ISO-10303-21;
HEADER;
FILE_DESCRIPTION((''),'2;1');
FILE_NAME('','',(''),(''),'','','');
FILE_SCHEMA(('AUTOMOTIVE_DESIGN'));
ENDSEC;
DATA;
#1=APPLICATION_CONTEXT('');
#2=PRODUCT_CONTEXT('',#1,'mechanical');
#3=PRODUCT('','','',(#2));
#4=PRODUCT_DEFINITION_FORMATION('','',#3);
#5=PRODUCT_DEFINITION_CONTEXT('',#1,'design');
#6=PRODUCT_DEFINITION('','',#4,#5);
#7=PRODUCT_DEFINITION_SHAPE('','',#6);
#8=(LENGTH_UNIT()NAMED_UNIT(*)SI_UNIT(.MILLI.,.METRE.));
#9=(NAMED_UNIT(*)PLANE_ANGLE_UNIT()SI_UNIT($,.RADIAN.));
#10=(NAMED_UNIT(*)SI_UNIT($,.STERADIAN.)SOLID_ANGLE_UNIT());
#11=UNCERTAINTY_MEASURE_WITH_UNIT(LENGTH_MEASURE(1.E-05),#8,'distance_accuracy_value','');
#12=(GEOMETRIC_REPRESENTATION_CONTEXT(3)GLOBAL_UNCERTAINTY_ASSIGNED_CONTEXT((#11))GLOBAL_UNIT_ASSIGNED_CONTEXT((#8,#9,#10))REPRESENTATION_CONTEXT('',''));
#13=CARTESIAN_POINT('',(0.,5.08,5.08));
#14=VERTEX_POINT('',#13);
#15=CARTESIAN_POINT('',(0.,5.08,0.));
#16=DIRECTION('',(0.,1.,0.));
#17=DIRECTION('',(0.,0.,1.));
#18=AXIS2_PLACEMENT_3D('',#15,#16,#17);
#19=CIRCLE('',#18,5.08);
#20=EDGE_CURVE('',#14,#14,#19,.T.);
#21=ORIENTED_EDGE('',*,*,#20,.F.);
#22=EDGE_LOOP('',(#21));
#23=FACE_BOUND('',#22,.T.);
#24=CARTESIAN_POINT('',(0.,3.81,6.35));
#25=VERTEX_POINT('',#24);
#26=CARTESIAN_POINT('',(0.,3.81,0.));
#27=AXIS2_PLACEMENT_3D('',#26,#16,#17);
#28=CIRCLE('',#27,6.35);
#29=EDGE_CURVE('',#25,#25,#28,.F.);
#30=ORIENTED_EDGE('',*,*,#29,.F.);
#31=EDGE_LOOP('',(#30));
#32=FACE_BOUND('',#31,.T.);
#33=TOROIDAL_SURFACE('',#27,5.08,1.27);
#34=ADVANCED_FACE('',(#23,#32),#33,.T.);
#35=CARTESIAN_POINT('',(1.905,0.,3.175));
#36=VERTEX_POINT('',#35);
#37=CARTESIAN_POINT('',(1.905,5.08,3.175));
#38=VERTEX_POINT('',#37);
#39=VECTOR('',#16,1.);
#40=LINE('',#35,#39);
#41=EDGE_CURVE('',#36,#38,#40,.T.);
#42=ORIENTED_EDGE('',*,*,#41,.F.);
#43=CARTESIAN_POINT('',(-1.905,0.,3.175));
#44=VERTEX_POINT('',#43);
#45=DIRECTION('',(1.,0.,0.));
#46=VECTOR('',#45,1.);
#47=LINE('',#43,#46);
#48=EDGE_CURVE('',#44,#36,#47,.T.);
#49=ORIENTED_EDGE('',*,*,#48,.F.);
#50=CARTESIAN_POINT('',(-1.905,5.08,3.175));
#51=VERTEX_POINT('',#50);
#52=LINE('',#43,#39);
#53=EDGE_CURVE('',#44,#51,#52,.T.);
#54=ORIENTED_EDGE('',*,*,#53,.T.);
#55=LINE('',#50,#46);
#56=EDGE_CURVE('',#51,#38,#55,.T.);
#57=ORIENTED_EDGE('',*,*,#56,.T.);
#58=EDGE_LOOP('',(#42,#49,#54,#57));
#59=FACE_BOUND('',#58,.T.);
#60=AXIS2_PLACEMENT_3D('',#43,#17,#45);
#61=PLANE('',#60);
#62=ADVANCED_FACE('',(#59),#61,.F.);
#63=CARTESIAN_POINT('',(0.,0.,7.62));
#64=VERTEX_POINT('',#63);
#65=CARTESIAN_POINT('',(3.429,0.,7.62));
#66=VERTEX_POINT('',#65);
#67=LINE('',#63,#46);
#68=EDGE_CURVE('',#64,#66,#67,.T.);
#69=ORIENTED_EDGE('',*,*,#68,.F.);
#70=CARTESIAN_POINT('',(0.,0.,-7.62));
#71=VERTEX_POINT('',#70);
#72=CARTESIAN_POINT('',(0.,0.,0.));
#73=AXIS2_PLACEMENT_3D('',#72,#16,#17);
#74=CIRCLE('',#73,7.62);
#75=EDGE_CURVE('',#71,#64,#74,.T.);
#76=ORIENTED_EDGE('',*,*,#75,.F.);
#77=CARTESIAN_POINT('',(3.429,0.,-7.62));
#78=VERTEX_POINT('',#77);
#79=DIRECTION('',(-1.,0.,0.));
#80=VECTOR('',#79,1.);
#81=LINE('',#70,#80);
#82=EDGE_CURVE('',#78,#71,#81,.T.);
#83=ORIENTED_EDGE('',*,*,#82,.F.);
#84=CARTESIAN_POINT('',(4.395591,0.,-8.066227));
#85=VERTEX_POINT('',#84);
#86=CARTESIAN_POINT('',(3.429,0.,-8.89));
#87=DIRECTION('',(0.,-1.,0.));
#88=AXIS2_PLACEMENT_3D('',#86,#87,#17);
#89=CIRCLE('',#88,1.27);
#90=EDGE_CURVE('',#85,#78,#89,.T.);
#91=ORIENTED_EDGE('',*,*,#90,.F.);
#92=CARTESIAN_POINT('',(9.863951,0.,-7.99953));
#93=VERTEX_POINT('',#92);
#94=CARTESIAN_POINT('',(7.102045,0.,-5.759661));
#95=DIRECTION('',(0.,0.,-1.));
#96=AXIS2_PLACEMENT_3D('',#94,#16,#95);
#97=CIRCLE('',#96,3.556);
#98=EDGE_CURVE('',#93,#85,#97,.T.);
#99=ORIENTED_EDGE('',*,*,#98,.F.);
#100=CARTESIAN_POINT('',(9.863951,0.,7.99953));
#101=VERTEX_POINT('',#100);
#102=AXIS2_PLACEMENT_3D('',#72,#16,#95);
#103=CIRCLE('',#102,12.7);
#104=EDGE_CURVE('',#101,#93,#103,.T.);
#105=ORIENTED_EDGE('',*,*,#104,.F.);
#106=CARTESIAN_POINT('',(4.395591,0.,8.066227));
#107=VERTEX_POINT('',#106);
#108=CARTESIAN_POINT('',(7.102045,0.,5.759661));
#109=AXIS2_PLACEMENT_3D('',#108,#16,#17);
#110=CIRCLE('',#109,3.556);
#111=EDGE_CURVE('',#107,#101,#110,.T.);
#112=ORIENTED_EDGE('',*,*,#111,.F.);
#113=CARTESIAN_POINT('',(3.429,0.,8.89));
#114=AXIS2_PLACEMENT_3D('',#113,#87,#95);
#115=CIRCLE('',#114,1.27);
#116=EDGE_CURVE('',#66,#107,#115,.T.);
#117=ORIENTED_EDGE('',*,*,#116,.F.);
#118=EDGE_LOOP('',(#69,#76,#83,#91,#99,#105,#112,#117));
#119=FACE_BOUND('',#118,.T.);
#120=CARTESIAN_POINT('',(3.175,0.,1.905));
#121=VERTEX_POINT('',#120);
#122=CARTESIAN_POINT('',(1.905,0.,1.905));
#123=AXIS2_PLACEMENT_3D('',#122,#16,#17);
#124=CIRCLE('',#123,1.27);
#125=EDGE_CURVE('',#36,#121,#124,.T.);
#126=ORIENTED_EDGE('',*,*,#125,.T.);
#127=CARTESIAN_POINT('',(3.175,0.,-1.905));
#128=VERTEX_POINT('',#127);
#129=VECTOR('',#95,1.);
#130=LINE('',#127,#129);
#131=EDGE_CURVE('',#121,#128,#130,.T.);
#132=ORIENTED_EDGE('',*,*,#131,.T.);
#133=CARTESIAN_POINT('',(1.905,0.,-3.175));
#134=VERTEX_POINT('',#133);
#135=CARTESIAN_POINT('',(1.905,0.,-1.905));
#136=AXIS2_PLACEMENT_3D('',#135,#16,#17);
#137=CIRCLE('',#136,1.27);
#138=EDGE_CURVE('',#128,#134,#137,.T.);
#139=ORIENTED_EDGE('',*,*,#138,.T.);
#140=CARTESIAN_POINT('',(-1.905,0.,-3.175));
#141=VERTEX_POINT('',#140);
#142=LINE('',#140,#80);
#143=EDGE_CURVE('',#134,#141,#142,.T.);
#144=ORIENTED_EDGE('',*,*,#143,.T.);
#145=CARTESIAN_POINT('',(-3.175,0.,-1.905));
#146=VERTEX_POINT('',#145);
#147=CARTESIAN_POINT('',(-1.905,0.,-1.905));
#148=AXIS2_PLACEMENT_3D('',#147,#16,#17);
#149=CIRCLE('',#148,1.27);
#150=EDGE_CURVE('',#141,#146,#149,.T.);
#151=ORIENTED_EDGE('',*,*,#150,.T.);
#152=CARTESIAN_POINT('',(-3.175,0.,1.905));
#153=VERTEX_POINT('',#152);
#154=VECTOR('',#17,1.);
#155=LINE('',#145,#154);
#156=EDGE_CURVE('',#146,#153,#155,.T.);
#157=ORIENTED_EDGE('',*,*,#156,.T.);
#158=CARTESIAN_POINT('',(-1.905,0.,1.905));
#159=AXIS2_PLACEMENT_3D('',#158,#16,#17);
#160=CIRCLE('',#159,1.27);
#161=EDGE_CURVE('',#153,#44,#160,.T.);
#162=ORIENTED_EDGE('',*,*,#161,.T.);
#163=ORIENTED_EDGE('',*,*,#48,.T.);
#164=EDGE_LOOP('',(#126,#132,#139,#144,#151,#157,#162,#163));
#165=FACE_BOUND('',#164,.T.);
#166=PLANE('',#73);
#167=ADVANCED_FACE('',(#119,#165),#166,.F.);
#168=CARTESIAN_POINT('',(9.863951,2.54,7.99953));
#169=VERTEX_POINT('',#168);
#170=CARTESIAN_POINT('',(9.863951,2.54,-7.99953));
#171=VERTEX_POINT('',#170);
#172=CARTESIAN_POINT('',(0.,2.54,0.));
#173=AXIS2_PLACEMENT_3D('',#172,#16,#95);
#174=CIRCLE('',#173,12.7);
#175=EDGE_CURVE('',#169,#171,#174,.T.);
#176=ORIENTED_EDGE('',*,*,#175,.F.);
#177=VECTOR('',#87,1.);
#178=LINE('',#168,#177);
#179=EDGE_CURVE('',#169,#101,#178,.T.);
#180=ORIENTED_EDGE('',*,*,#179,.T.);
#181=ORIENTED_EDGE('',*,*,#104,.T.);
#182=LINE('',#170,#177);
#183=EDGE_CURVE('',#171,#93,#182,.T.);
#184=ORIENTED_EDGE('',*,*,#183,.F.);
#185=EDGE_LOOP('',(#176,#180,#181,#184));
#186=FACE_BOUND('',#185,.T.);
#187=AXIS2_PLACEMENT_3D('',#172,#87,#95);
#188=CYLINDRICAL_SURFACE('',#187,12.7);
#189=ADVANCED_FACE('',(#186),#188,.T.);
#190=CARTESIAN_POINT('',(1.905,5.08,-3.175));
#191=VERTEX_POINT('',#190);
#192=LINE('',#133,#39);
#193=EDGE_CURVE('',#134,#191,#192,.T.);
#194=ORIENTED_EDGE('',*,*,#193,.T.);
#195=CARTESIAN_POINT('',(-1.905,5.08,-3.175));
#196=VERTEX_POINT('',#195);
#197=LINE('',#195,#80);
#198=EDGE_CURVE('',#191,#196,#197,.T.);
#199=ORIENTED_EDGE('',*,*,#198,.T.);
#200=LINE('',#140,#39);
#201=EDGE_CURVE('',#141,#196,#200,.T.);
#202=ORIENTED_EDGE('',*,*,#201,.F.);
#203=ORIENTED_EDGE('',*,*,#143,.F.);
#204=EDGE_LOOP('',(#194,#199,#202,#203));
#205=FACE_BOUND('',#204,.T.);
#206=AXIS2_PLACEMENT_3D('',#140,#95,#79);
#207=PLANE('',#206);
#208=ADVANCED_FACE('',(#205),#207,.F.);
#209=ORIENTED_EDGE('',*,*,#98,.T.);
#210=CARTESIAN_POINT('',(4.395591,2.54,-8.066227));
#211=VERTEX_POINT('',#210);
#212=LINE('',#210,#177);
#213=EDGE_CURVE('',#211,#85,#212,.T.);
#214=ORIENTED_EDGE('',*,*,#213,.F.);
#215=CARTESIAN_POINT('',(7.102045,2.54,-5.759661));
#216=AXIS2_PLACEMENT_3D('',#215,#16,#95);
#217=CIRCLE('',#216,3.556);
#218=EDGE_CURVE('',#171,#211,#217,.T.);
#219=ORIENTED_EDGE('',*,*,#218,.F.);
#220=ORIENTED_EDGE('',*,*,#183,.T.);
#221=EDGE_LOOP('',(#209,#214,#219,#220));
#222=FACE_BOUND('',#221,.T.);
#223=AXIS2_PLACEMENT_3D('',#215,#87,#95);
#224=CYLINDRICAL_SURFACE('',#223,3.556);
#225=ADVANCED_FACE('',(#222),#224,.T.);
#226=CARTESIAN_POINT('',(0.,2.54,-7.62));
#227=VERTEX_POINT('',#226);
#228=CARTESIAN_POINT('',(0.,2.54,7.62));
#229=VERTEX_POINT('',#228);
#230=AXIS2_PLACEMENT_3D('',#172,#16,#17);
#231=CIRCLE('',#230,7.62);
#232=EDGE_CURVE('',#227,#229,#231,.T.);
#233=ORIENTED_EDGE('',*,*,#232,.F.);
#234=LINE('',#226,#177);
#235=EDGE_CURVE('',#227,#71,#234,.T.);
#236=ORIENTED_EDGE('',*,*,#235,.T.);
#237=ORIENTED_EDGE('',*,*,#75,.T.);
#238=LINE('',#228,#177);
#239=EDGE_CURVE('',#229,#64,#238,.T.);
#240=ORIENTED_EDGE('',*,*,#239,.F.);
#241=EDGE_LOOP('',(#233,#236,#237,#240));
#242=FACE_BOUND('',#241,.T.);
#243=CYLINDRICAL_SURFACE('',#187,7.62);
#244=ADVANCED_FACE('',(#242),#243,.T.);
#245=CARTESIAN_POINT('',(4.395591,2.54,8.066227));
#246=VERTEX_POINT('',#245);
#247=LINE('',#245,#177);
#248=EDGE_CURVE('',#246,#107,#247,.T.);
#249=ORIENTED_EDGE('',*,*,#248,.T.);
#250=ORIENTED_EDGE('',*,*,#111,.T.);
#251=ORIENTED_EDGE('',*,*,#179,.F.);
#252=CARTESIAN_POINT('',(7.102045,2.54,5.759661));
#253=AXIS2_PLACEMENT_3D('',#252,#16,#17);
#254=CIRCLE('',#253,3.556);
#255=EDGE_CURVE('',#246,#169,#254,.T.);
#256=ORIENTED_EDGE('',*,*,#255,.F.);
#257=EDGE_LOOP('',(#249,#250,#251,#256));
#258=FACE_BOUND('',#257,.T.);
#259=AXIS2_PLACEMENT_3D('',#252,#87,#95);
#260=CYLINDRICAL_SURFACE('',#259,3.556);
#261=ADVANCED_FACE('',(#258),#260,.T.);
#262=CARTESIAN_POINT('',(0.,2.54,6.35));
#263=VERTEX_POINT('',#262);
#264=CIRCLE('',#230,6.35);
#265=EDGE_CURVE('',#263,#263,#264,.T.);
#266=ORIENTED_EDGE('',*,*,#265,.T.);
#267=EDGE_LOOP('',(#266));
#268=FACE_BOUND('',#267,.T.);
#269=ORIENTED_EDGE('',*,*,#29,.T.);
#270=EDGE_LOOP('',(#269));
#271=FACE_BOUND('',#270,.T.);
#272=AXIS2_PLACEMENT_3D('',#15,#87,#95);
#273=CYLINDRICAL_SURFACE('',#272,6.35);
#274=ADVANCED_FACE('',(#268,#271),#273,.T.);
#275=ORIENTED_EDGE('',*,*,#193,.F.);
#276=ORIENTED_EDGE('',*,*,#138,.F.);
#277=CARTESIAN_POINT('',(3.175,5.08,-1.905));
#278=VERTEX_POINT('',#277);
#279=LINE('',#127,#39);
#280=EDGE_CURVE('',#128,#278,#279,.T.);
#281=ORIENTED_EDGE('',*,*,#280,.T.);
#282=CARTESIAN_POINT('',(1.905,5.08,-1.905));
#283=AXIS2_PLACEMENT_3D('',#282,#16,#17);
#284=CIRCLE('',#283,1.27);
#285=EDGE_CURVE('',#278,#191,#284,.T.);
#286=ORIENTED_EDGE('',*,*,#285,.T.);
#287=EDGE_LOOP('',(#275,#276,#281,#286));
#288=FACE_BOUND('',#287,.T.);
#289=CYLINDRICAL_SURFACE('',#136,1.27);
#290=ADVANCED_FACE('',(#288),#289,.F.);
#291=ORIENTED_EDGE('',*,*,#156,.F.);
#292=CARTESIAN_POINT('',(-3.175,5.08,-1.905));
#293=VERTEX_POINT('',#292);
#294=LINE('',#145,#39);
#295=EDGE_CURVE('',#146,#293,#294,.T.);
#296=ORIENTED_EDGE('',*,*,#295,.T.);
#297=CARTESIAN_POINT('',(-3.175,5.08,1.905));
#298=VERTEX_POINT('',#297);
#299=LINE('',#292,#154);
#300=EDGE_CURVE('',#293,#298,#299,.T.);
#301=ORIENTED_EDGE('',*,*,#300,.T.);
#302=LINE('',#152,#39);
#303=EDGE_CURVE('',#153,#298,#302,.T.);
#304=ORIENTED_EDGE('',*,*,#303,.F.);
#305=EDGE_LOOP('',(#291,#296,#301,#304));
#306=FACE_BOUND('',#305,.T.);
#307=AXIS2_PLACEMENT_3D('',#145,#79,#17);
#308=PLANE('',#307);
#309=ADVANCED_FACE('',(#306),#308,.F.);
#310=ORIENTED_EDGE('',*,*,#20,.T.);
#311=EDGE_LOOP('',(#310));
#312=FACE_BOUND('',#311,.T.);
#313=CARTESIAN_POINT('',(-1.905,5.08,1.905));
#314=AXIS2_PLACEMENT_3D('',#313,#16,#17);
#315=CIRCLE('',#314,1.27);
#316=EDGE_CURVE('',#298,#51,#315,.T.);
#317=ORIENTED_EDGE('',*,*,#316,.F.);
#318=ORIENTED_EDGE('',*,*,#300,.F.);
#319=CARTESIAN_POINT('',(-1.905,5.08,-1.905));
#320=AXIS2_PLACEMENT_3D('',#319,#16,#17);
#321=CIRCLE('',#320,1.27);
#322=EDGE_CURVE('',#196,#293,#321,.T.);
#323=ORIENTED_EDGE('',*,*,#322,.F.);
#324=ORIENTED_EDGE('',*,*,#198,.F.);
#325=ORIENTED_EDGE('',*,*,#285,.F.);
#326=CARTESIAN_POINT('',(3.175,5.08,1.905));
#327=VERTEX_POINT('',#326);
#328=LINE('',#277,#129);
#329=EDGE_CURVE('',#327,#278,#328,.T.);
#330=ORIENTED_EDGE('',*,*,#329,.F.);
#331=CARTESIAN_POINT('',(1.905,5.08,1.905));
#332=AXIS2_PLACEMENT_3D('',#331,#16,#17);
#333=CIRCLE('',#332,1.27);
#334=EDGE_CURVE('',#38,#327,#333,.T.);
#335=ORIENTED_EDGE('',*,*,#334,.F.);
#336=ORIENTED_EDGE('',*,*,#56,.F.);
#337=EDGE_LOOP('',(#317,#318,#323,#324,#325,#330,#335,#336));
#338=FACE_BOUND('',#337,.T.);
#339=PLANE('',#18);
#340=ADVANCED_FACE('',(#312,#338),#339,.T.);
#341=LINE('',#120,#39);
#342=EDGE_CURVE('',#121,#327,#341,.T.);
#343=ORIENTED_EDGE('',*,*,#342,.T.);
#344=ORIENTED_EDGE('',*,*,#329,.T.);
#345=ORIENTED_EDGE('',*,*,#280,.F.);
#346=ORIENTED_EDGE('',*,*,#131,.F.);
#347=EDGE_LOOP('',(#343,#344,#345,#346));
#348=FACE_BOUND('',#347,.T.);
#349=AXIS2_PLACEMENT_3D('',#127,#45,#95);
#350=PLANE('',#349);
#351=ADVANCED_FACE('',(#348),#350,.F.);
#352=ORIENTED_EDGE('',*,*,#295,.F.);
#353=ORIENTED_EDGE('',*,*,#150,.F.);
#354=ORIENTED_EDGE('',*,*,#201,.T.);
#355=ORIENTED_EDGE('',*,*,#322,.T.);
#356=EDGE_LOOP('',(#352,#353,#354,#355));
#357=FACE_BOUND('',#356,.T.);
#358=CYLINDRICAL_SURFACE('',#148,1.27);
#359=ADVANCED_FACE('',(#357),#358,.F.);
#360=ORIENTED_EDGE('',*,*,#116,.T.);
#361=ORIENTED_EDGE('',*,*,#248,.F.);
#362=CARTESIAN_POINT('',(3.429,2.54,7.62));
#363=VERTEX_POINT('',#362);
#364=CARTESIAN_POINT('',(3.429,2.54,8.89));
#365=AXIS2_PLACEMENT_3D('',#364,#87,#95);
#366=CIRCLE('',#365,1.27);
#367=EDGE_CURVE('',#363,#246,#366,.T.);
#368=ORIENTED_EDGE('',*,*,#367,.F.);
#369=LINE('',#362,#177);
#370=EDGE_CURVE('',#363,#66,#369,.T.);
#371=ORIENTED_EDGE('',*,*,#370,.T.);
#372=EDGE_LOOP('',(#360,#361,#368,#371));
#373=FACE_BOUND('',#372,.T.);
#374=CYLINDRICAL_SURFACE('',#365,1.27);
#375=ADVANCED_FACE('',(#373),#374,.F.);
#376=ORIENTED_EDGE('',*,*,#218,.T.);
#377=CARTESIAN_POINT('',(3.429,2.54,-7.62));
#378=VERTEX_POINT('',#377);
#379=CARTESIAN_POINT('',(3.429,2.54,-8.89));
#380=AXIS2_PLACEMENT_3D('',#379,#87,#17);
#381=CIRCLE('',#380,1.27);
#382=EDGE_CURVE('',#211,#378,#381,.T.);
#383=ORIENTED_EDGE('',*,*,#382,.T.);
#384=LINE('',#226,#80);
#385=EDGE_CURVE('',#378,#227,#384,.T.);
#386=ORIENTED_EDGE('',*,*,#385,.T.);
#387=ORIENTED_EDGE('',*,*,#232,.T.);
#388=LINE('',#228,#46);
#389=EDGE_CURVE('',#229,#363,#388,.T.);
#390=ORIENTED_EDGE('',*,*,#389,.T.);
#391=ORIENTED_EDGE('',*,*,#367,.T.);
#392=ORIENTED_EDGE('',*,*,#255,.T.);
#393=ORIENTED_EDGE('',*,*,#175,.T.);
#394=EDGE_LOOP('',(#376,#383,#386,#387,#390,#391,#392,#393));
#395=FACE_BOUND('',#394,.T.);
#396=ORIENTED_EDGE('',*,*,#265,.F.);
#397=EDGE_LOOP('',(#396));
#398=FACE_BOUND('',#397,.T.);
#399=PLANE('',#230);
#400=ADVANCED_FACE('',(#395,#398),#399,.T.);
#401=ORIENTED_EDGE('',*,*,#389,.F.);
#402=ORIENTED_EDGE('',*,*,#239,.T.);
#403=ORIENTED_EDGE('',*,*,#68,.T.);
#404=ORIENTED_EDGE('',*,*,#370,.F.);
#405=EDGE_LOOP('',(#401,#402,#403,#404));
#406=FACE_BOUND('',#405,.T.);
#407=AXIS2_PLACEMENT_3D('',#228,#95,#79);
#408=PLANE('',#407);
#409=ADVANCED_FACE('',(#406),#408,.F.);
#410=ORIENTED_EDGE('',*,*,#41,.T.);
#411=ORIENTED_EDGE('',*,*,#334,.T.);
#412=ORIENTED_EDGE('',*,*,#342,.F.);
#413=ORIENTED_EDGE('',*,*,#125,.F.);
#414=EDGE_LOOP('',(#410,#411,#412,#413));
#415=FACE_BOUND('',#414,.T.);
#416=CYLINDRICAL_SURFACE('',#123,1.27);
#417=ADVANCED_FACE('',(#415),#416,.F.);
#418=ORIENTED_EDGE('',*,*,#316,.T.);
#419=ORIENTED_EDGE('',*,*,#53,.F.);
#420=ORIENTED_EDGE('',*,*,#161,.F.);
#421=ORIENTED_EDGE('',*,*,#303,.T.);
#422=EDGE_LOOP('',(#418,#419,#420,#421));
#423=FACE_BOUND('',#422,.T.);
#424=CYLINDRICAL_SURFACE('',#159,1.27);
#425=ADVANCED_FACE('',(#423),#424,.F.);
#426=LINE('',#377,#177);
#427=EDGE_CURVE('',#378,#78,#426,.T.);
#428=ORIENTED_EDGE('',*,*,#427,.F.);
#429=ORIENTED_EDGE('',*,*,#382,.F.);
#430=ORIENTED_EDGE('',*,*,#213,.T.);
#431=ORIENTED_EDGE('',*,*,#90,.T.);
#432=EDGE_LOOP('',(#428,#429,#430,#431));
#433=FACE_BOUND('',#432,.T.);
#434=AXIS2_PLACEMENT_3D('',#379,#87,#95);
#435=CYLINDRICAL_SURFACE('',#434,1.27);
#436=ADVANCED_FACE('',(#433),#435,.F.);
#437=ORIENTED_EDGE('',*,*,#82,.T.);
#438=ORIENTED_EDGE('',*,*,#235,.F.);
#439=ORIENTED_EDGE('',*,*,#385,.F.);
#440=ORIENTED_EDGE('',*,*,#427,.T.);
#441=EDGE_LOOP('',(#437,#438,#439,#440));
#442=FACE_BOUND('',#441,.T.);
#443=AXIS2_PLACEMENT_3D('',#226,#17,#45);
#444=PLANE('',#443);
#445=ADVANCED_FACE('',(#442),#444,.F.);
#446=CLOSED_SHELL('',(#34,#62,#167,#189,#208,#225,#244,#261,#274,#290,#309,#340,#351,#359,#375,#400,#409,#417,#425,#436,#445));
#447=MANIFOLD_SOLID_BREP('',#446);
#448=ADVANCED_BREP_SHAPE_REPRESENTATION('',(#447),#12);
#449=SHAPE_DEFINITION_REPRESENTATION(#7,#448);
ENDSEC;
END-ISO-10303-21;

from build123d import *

# Parameters (mm, degrees)
SKETCH1_R           = 6.35
BOSS_EXTRUDE1_DEPTH = 5.08
BOSS_EXTRUDE2_DEPTH = 2.54
CUT_EXTRUDE1_DEPTH  = 6.08
FILLET1_R           = 1.27


with BuildPart() as part:
    # Sketch1 → Boss-Extrude1 (new body)
    with BuildSketch(Plane(origin=(0, 0, 0), x_dir=(1, 0, 0), z_dir=(0, 1, 0))):
        Circle(SKETCH1_R)
    extrude(amount=BOSS_EXTRUDE1_DEPTH)

    # Sketch3 → Boss-Extrude2 (add)
    with BuildSketch(Plane(origin=(0, 0, 0), x_dir=(1, 0, 0), z_dir=(0, 1, 0))):
        with BuildLine():
            Line((0, 7.62), (3.429, 7.62))
            ThreePointArc((3.429, 7.62), (3.961310007, 7.736940567), (4.395590669, 8.066226682))
            ThreePointArc((4.395590669, 8.066226682), (7.145413446, 9.315396919), (9.863950751, 7.99952971))
            ThreePointArc((9.863950751, 7.99952971), (12.7, 0), (9.863950751, -7.99952971))
            ThreePointArc((9.863950751, -7.99952971), (7.145413446, -9.315396919), (4.395590669, -8.066226682))
            ThreePointArc((4.395590669, -8.066226682), (3.961310007, -7.736940567), (3.429, -7.62))
            Line((3.429, -7.62), (0, -7.62))
            ThreePointArc((0, -7.62), (-7.62, 0), (0, 7.62))
        make_face()
    extrude(amount=BOSS_EXTRUDE2_DEPTH)

    # Sketch4 → Cut-Extrude1 (cut, through all)
    with BuildSketch(Plane(origin=(0, 5.08, 0), x_dir=(1, 0, 0), z_dir=(0, 1, 0))):
        with BuildLine():
            Line((-1.905, 3.175), (1.905, 3.175))
            ThreePointArc((1.905, 3.175), (2.803025612, 2.803025612), (3.175, 1.905))
            Line((3.175, 1.905), (3.175, -1.905))
            ThreePointArc((3.175, -1.905), (2.803025612, -2.803025612), (1.905, -3.175))
            Line((1.905, -3.175), (-1.905, -3.175))
            ThreePointArc((-1.905, -3.175), (-2.803025612, -2.803025612), (-3.175, -1.905))
            Line((-3.175, -1.905), (-3.175, 1.905))
            ThreePointArc((-3.175, 1.905), (-2.803025612, 2.803025612), (-1.905, 3.175))
        make_face()
    extrude(amount=-CUT_EXTRUDE1_DEPTH, mode=Mode.SUBTRACT)

    # Fillet1
    fillet1_edges = [part.edges().sort_by_distance(p)[0] for p in [
        (-6.35, 5.08, 0),
    ]]
    fillet(fillet1_edges, radius=FILLET1_R)


solid = part.part
